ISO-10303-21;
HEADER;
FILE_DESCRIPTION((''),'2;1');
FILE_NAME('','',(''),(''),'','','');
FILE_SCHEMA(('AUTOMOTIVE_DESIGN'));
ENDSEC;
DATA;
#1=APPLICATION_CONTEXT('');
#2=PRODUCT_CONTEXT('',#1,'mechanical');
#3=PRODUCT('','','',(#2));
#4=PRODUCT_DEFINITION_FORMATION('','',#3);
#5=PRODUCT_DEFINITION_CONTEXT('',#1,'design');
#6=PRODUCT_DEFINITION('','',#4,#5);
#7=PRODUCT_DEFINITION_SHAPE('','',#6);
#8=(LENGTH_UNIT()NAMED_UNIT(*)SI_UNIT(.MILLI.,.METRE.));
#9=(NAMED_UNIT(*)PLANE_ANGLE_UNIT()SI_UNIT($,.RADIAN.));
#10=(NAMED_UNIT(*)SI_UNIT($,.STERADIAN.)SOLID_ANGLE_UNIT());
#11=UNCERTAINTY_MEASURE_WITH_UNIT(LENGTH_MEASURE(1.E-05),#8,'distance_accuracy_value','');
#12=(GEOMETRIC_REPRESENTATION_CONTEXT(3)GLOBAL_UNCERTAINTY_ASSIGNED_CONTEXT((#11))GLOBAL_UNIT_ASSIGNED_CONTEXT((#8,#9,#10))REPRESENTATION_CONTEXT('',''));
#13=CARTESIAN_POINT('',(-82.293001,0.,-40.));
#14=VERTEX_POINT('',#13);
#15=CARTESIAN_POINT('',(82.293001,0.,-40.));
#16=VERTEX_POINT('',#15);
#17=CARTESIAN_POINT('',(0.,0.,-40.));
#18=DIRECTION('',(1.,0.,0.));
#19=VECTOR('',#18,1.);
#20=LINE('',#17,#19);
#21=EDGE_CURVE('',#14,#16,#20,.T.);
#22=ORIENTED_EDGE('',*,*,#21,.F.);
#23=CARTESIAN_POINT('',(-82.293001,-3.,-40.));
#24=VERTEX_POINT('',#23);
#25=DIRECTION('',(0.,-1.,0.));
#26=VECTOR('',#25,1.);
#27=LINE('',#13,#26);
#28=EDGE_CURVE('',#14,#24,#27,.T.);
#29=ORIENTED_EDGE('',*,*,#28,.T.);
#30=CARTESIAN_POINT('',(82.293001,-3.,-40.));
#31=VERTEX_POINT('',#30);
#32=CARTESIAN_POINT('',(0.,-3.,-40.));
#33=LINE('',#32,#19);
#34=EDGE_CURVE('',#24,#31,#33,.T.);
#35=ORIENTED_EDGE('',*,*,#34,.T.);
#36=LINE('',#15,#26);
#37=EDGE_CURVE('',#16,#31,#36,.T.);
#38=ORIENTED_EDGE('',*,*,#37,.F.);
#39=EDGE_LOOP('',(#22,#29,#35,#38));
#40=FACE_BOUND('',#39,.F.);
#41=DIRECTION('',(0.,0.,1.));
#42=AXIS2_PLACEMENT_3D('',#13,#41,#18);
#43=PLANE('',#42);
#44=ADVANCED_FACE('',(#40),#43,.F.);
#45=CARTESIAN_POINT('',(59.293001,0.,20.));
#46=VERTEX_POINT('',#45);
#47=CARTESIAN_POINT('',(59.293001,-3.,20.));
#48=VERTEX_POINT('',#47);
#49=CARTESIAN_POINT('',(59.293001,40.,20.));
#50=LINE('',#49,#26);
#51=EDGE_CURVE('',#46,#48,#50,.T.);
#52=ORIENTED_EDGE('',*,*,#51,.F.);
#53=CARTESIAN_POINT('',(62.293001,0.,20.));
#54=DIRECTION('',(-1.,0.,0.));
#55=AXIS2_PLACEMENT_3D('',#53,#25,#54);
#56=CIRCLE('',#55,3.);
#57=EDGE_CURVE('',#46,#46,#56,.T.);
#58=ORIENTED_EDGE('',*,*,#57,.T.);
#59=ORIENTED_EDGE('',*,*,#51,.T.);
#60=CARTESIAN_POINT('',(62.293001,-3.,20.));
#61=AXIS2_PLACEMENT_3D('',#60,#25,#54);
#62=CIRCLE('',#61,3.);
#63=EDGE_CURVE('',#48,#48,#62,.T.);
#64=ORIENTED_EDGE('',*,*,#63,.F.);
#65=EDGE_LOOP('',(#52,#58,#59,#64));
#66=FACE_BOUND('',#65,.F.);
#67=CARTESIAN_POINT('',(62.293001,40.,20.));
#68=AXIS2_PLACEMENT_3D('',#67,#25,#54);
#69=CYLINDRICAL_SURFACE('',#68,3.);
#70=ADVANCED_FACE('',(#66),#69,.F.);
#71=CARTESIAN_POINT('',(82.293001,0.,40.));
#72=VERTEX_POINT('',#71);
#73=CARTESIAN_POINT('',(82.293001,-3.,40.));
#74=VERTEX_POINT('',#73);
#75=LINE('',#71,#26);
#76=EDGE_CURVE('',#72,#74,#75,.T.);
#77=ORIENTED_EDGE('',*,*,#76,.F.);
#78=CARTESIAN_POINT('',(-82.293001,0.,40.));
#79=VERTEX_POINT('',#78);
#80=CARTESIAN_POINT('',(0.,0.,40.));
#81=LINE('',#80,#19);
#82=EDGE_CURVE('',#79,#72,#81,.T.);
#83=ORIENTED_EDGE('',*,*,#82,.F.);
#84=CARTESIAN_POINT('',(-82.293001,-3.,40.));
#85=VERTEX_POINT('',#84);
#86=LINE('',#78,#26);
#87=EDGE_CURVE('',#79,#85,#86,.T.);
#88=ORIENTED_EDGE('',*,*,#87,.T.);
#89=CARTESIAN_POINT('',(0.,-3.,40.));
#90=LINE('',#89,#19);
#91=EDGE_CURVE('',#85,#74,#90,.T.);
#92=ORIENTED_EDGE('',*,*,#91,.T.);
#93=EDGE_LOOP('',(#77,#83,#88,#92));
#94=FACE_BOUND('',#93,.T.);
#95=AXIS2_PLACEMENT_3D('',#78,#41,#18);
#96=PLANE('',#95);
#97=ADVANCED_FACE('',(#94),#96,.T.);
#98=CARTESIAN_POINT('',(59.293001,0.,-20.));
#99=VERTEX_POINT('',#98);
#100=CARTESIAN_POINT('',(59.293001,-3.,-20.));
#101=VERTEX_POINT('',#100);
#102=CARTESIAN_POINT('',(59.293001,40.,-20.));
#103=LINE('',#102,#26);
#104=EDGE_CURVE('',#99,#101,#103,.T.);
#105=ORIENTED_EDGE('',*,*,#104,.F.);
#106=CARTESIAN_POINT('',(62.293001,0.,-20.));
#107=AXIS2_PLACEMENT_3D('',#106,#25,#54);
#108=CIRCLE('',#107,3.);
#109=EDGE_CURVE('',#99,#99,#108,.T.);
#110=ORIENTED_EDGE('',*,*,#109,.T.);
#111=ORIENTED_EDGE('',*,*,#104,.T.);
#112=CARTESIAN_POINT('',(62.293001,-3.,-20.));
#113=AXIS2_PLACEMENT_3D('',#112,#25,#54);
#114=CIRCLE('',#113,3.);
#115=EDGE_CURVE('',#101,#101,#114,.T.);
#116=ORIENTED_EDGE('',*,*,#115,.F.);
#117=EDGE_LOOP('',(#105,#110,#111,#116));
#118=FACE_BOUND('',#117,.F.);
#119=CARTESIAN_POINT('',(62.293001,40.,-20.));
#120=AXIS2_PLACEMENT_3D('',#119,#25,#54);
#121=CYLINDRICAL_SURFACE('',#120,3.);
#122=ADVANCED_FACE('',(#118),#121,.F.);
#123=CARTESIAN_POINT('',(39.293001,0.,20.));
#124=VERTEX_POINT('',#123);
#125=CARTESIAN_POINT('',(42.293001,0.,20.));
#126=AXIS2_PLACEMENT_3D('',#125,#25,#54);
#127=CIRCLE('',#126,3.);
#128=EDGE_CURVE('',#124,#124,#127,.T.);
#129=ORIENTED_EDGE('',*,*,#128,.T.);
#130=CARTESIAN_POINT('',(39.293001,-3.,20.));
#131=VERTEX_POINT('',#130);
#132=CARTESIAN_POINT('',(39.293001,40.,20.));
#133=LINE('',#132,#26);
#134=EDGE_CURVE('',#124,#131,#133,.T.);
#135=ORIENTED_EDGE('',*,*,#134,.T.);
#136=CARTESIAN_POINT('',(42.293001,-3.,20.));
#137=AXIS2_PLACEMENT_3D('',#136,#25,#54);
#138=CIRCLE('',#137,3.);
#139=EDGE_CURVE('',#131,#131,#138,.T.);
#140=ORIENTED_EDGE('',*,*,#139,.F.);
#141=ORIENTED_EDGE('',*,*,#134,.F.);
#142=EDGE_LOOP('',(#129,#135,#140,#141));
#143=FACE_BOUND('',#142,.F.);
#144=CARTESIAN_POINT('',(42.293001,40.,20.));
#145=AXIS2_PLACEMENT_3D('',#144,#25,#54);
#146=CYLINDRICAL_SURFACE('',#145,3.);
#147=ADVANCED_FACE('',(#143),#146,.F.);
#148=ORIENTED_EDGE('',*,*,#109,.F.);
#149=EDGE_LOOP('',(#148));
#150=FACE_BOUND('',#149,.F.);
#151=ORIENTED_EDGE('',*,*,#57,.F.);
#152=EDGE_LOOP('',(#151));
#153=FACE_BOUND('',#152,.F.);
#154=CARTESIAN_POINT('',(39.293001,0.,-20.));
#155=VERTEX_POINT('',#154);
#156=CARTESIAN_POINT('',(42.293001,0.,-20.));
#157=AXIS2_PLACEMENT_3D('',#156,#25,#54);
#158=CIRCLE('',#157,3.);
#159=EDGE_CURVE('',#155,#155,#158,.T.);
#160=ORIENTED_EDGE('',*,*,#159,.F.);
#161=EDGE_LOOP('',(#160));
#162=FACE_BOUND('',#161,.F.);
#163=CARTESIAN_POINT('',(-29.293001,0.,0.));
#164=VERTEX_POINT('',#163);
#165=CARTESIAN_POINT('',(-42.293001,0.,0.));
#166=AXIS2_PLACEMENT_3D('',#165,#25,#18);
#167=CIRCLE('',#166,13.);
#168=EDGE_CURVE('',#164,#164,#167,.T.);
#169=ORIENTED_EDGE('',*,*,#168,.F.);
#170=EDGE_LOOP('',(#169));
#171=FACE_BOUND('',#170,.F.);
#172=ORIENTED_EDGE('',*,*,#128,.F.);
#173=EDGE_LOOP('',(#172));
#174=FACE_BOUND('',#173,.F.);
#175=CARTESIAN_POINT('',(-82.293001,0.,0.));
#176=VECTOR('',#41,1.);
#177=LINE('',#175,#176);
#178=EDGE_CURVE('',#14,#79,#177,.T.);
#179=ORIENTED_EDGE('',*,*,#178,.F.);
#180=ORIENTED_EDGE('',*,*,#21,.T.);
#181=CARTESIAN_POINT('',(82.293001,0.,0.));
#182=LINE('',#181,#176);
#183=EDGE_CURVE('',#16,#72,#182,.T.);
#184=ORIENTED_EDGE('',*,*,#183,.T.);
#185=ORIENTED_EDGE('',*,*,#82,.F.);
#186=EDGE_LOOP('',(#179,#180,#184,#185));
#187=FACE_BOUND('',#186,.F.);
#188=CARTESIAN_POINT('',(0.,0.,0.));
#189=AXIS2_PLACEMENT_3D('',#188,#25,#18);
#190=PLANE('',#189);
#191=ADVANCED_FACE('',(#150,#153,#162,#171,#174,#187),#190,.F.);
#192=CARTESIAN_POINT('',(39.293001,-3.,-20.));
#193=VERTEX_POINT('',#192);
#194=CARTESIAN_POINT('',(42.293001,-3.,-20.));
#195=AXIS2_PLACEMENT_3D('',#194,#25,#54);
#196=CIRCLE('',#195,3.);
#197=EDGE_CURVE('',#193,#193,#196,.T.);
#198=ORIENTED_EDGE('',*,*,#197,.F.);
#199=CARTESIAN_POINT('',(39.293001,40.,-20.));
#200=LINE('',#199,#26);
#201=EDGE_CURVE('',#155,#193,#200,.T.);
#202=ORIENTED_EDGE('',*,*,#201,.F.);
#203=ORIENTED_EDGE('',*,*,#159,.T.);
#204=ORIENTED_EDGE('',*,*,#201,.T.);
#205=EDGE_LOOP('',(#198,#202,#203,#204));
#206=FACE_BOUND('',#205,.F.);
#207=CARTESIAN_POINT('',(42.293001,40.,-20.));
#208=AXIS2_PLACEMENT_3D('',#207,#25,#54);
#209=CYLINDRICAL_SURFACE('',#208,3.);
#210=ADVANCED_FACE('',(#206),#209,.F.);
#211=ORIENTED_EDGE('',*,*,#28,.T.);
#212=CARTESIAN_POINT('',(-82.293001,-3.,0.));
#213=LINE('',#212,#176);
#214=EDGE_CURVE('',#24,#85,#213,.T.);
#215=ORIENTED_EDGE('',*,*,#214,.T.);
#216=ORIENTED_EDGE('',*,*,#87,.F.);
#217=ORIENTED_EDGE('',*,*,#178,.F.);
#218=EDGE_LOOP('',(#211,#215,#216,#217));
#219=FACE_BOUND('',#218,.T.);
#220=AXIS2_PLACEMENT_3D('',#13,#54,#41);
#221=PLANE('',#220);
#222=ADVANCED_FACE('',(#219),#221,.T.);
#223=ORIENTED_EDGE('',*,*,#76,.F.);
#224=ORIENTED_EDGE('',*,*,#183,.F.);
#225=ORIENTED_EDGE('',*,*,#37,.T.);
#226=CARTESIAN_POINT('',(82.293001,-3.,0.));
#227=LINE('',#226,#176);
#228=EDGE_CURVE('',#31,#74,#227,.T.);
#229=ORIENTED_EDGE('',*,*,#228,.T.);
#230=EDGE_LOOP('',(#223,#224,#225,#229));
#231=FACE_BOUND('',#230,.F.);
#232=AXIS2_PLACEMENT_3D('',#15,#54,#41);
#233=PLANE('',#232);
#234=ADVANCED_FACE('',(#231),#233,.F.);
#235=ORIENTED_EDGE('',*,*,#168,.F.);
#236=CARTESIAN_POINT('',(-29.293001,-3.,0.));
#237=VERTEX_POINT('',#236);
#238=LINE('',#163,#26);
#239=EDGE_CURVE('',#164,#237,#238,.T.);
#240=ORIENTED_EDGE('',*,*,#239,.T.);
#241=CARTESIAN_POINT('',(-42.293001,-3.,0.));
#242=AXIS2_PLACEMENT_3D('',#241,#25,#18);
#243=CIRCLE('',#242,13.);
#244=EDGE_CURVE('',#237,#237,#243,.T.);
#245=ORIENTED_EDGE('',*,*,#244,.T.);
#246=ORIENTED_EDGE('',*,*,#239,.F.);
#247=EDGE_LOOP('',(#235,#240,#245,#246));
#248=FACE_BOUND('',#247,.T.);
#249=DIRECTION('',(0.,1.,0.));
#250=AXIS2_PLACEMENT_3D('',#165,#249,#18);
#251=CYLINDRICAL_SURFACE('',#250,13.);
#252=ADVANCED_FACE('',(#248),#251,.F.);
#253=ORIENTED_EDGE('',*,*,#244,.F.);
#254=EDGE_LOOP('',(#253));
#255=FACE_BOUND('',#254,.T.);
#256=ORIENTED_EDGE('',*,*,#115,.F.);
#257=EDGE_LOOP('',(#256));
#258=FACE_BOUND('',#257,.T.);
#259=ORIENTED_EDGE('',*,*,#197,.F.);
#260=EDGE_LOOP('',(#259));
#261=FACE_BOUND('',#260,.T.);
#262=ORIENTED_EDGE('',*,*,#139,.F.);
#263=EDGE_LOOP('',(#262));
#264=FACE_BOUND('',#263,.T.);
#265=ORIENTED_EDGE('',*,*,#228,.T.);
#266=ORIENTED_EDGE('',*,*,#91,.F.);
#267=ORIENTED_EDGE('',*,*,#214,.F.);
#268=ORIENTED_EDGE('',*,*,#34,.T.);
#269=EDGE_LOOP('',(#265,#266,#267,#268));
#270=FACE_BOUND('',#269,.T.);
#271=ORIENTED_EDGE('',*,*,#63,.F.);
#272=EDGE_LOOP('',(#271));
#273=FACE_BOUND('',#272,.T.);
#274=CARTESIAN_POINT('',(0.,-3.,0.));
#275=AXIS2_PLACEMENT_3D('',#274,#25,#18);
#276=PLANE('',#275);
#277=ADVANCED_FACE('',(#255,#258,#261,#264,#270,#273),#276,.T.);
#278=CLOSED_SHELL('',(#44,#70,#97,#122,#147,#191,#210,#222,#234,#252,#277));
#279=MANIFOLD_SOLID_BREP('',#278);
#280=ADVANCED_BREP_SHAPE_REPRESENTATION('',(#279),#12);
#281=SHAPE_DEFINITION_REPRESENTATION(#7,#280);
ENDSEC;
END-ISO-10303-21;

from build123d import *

# Parameters (mm, degrees)
F0_W     = 164.586002
F0_H     = 80
F0_R     = 13
F1_DEPTH = 3
F2_D     = 6
F2_DEPTH = 40


with BuildPart() as f1:
    # F0 (on Front) → F1 (new body)
    with BuildSketch(Plane.XZ):
        Rectangle(F0_W, F0_H)
        with Locations((-42.293001, 0)):
            Circle(F0_R, mode=Mode.SUBTRACT)
    extrude(amount=F1_DEPTH)

    # F2
    with Locations(Plane(origin=(0, 0, 0), x_dir=(1, 0, 0), z_dir=(0, 1, 0))):
        with Locations((42.293001, 20), (62.293001, 20), (62.293001, -20), (42.293001, -20)):
            Hole(F2_D / 2, depth=F2_DEPTH)


solid = f1.part
